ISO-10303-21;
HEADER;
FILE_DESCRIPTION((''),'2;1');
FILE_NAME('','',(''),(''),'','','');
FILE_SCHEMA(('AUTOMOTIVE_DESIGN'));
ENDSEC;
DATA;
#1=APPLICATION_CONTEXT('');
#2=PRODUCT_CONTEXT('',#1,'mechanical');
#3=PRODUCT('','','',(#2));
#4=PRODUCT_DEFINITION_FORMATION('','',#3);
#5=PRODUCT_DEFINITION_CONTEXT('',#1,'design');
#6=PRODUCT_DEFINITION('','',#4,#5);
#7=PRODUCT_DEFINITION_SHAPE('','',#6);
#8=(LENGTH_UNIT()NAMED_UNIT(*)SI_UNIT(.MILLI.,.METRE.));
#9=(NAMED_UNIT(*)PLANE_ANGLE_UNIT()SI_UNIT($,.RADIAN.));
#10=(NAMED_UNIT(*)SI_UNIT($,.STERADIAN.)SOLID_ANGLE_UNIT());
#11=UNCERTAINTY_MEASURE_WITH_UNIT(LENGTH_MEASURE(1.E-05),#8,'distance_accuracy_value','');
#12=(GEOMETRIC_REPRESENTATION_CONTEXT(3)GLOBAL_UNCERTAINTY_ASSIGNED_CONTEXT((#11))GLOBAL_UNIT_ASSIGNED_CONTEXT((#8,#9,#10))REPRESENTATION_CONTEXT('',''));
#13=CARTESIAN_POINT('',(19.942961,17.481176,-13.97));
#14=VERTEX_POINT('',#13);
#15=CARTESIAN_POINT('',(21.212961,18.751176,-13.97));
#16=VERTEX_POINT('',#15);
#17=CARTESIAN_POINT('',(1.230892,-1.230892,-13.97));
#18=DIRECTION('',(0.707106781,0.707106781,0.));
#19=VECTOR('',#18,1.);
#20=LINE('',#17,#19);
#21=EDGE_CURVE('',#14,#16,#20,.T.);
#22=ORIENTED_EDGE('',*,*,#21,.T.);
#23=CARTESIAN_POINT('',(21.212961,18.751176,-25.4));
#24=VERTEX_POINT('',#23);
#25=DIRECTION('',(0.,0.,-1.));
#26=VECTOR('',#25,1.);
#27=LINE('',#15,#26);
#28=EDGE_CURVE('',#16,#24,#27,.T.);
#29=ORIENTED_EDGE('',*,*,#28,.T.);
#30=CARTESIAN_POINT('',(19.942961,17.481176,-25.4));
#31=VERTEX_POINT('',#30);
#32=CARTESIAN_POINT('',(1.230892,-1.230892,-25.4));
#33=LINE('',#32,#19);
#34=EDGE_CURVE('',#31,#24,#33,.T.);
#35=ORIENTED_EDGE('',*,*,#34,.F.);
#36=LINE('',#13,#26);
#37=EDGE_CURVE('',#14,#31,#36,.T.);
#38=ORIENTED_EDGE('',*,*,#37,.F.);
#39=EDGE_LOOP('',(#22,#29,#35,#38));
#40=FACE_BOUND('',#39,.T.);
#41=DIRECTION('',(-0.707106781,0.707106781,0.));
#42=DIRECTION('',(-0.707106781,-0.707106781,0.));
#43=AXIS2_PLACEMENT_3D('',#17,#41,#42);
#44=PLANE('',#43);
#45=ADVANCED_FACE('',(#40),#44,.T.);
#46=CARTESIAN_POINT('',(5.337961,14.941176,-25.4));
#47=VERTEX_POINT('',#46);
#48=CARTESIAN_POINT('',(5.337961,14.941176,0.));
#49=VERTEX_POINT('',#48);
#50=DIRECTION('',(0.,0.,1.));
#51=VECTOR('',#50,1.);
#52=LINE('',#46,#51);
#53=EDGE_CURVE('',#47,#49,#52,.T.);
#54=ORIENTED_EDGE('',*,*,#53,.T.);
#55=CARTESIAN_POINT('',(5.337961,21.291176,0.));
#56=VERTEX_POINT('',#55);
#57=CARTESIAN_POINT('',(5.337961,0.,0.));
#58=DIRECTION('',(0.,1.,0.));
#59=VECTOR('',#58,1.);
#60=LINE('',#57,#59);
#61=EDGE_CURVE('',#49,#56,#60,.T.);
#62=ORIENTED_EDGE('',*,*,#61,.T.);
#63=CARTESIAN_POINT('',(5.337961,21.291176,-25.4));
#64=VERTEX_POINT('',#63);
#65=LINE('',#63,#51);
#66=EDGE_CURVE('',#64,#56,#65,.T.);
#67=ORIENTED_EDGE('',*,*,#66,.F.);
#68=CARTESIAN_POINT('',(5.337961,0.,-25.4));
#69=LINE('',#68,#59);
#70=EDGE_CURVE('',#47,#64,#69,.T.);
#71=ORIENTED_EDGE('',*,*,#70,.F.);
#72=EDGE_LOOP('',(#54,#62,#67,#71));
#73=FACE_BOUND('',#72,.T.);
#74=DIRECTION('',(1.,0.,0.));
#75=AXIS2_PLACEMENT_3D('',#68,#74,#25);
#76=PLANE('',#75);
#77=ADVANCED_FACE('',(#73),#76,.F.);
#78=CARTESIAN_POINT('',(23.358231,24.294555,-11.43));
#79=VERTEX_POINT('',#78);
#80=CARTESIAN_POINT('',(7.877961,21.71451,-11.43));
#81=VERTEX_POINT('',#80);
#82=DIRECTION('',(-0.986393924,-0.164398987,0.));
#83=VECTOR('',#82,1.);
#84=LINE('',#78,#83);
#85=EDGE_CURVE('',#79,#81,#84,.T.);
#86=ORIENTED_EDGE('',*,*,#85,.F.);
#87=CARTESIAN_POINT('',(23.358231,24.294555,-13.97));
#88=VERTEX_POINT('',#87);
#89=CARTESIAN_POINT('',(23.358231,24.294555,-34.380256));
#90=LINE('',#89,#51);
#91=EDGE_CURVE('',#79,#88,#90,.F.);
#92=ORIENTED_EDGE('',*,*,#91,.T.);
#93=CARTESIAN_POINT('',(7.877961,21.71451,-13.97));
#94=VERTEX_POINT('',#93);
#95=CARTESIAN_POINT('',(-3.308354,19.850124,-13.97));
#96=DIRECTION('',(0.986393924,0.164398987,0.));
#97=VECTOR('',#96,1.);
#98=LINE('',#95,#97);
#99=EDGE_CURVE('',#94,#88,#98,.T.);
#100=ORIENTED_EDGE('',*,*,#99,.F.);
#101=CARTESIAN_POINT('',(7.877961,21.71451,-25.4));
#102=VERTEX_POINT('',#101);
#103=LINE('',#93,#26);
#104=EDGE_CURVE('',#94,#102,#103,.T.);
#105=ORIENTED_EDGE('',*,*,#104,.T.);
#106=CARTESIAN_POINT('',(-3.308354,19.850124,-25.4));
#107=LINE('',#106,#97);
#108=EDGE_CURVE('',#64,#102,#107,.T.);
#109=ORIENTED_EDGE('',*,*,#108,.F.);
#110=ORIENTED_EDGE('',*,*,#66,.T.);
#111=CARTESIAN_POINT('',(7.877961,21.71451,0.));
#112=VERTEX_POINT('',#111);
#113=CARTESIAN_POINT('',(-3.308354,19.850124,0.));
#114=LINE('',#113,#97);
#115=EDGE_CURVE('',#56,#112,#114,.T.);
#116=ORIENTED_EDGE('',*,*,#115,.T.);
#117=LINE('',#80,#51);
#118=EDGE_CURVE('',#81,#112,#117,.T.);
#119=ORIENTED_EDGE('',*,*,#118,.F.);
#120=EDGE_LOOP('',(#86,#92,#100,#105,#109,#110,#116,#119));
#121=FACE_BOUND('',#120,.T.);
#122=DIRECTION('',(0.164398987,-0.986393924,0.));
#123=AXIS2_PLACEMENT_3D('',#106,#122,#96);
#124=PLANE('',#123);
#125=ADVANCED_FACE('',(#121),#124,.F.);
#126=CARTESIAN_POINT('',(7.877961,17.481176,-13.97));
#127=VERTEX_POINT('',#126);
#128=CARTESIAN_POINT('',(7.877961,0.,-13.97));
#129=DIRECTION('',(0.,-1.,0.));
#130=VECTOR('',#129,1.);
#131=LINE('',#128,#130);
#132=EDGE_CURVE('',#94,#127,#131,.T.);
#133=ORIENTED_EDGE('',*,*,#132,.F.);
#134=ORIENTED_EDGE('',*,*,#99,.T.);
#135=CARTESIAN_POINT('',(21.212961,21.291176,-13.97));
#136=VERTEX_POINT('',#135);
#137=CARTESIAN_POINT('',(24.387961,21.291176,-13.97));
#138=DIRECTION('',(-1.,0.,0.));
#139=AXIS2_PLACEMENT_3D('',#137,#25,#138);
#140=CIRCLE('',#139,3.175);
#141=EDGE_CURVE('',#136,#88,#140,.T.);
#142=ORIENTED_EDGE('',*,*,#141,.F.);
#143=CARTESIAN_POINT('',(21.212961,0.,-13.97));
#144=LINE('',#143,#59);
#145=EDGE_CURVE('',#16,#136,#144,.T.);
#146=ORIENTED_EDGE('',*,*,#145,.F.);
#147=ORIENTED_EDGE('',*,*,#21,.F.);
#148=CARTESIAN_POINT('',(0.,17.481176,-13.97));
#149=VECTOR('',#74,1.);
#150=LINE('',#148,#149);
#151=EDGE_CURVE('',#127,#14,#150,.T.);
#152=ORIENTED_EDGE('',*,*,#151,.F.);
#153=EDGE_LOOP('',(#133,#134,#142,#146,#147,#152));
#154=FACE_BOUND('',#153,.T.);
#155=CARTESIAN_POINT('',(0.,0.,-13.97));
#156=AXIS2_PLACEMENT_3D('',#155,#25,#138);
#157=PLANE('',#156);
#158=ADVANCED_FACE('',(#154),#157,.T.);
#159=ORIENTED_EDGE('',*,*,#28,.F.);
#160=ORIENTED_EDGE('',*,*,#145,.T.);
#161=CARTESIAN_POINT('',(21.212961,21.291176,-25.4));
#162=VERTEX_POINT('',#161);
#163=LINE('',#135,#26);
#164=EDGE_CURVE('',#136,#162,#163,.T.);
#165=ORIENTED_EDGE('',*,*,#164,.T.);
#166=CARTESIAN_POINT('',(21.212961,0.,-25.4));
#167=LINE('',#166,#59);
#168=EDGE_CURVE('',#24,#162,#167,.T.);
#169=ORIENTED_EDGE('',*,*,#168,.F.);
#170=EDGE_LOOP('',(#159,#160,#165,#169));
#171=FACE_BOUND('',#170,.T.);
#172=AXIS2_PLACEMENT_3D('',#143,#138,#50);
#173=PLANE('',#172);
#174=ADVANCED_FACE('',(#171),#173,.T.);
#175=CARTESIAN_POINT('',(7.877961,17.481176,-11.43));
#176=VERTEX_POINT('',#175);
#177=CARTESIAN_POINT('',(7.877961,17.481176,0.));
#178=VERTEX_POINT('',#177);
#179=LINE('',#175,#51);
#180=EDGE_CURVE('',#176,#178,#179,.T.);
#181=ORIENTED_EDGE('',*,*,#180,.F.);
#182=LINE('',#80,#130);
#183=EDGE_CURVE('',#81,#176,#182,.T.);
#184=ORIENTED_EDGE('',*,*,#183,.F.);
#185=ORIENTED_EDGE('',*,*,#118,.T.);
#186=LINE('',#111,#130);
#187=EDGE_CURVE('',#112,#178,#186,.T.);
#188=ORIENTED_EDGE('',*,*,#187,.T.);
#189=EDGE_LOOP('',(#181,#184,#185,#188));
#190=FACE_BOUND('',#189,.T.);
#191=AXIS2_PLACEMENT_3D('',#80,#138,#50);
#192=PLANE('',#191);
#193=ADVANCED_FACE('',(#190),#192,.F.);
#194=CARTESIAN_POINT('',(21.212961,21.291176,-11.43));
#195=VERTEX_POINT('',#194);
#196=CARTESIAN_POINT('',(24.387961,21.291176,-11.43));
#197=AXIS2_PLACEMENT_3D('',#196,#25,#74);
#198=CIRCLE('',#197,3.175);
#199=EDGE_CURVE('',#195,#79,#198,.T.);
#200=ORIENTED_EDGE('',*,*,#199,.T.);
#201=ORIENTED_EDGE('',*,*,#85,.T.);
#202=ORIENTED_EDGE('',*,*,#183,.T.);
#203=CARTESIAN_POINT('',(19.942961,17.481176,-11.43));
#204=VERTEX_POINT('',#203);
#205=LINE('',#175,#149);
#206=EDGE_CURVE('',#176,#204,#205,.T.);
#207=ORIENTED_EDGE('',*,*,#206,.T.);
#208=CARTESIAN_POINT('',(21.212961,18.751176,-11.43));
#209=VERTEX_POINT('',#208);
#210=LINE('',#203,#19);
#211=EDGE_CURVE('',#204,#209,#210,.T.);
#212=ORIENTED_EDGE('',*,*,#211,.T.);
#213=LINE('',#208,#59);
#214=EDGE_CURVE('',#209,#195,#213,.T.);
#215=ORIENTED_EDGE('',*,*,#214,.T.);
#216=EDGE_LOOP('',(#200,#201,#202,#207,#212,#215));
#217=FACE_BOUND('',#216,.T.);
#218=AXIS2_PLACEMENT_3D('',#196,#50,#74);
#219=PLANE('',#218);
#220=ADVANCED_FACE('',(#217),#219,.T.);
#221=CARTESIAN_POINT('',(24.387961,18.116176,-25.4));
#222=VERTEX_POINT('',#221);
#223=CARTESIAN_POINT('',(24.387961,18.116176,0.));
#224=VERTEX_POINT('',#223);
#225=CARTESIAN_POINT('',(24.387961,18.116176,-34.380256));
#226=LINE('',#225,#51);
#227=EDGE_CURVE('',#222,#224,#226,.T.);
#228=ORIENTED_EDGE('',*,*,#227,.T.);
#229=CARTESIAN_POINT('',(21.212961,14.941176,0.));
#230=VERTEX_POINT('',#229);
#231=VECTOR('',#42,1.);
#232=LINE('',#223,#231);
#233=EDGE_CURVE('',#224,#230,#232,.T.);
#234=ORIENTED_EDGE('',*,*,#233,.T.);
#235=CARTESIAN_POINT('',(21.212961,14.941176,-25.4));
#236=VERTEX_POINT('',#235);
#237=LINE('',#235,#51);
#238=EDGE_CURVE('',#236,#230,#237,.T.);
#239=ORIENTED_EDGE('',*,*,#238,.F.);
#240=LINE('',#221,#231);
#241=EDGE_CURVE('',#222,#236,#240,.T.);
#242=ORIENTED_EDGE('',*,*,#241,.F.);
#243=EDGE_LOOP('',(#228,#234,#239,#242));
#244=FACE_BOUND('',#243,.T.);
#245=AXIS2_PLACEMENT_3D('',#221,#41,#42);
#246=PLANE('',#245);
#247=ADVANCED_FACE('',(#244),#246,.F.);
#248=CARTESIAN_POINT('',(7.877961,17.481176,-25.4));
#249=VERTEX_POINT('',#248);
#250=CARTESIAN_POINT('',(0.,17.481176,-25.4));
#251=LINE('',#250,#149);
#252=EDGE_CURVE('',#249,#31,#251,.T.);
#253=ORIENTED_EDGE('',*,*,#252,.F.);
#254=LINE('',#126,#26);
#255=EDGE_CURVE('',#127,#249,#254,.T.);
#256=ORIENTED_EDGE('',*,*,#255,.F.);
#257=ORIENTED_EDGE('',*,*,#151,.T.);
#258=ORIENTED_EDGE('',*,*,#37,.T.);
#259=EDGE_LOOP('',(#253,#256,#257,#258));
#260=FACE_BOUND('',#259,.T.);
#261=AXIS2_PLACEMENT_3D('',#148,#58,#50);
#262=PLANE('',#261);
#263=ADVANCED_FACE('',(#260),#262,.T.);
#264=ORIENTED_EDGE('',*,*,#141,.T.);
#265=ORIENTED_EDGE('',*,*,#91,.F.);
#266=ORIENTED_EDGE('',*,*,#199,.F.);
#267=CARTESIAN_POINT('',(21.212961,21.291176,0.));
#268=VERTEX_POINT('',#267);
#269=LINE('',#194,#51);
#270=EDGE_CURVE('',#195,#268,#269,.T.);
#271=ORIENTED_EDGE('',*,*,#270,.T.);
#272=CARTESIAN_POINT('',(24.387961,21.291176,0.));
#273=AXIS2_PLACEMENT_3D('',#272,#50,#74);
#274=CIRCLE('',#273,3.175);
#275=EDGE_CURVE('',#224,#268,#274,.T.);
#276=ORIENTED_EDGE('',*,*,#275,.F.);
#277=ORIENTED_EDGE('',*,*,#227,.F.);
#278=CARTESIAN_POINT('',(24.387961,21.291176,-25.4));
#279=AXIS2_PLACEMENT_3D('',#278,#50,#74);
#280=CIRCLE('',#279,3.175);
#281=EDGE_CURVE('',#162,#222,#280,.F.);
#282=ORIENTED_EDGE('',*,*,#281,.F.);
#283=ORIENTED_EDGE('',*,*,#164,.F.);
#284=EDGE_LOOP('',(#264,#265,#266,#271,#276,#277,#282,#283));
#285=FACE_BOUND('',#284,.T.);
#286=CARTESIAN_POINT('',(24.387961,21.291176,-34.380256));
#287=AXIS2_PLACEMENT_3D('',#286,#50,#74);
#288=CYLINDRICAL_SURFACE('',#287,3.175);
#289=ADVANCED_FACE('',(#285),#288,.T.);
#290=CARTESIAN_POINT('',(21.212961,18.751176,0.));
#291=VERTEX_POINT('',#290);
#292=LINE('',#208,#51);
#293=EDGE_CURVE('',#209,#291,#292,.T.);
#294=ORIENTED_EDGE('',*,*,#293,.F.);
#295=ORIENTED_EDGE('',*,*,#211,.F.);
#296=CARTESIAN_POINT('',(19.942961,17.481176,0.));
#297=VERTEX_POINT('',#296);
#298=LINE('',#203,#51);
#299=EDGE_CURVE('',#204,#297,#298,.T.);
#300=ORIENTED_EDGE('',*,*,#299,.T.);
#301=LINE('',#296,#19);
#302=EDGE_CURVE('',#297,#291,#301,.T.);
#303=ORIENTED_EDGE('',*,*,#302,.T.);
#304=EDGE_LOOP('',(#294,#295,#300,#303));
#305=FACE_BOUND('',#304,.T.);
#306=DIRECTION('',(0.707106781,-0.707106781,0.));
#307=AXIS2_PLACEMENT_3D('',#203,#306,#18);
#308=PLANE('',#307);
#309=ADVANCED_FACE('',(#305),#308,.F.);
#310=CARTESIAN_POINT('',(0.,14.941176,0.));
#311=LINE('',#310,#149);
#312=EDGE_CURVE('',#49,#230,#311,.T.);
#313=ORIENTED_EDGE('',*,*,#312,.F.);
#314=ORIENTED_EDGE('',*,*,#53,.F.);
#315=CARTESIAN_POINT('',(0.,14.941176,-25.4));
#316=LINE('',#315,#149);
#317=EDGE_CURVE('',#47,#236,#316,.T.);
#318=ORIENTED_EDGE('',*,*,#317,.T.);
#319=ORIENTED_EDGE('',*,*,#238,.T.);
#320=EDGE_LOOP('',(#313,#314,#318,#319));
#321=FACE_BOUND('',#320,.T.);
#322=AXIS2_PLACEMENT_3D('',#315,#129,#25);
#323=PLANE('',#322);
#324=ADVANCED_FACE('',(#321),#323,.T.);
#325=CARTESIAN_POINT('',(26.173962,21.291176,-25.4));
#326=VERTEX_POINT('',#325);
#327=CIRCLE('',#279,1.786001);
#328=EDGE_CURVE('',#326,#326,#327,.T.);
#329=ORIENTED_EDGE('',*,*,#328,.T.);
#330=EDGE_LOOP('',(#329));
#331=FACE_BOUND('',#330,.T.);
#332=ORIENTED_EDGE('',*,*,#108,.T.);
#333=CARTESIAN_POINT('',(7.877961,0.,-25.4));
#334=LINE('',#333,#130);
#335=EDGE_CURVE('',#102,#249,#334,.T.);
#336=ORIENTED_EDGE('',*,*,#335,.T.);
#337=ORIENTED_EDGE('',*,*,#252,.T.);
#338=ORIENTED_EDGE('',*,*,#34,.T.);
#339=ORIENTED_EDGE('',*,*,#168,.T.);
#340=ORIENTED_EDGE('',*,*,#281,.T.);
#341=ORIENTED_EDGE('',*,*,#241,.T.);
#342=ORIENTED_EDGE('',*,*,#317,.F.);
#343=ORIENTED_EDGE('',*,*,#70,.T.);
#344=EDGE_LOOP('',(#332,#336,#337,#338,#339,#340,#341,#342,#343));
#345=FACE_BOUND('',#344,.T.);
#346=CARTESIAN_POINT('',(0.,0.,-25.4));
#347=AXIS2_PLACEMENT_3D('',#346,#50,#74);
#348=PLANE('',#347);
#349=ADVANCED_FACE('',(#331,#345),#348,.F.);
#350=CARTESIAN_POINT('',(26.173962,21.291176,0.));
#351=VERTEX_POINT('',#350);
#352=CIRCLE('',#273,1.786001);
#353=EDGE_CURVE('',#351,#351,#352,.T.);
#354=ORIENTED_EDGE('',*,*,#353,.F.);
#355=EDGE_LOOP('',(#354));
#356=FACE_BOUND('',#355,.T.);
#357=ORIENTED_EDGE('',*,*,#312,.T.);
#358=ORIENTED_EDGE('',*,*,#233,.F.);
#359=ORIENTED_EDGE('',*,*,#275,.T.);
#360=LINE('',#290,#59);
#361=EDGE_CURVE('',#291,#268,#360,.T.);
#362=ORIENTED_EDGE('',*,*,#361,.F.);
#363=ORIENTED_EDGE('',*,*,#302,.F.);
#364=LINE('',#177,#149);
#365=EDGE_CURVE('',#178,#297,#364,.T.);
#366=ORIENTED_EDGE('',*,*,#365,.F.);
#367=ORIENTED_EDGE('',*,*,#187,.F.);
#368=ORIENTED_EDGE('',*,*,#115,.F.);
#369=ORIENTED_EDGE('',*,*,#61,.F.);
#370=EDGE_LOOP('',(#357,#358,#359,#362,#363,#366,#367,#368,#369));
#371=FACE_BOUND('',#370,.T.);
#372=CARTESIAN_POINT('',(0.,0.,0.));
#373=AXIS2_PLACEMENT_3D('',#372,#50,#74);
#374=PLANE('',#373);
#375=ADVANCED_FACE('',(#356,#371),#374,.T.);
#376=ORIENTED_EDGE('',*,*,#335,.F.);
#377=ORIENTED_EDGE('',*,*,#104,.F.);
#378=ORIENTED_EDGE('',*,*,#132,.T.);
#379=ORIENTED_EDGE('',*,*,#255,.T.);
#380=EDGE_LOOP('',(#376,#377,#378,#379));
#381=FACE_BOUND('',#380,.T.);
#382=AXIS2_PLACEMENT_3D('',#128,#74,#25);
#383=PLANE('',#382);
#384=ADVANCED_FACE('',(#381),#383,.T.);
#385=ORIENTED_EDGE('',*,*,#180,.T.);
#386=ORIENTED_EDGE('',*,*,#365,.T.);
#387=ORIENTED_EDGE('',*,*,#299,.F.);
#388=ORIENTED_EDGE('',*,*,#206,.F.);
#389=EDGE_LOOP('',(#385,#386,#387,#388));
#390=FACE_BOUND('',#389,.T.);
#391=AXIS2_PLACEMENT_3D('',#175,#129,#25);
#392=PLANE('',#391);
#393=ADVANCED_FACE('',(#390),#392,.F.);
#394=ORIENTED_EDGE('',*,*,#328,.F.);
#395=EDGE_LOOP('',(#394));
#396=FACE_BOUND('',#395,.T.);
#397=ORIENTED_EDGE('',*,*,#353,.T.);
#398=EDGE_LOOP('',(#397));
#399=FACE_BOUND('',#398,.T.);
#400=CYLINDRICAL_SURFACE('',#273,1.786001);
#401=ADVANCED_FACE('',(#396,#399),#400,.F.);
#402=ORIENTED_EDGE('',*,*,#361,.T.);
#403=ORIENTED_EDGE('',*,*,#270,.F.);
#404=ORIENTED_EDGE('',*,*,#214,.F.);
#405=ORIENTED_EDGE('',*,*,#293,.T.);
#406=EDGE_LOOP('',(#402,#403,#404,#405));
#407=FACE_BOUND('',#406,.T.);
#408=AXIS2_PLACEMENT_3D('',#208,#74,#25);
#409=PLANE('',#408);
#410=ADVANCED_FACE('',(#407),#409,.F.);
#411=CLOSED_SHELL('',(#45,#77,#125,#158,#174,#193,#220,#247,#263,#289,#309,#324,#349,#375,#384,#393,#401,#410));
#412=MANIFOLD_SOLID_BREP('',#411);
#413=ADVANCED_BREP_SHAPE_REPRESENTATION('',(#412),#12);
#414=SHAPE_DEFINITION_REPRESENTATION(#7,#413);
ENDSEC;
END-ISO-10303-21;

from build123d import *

# Parameters (mm, degrees)
SKETCH1_W                       = 19.05
SKETCH1_H                       = 6.35
BOSS_EXTRUDE1_DEPTH             = 25.4
SKETCH2_R                       = 3.175
BOSS_EXTRUDE3_DEPTH             = 25.4
CUT_EXTRUDE5_DEPTH              = 11.43
CUT_EXTRUDE6_DEPTH              = 26.4
CUT_EXTRUDE9_DEPTH              = 11.43
F_9_64_0_14063_DIAMETER_HOLE3_D = 3.572002


with BuildPart() as part:
    # Sketch1 → Boss-Extrude1 (new body)
    with BuildSketch(Plane.XY):
        Polygon((24.387960916, 24.466176471), (24.387960916, 21.291176471), (5.337960916, 21.291176471), align=None)
        with Locations((14.862960916, 18.116176471)):
            Rectangle(SKETCH1_W, SKETCH1_H)
    extrude(amount=-BOSS_EXTRUDE1_DEPTH)

    # Sketch2 → Boss-Extrude3 (add)
    with BuildSketch(Plane.XY):
        with Locations((24.387960916, 21.291176471)):
            Circle(SKETCH2_R)
    extrude(amount=-BOSS_EXTRUDE3_DEPTH)

    # Sketch9 → Cut-Extrude5 (cut)
    with BuildSketch(Plane.XY):
        with BuildLine():
            Line((23.358231186, 24.294554849), (7.877960916, 21.714509804))
            Line((7.877960916, 21.714509804), (7.877960916, 17.481176471))
            Line((7.877960916, 17.481176471), (19.942960916, 17.481176471))
            Line((19.942960916, 17.481176471), (21.212960916, 18.751176471))
            Line((21.212960916, 18.751176471), (21.212960916, 21.291176471))
            ThreePointArc((21.212960916, 21.291176471), (21.804357145, 23.136607736), (23.358231186, 24.294554849))
        make_face()
    extrude(amount=-CUT_EXTRUDE5_DEPTH, mode=Mode.SUBTRACT)

    # Sketch10 → Cut-Extrude6 (cut, through all)
    with BuildSketch(Plane.XY):
        Polygon((24.387960916, 18.116176471), (21.212960916, 14.941176471), (24.387960916, 14.941176471), align=None)
    extrude(amount=-CUT_EXTRUDE6_DEPTH, mode=Mode.SUBTRACT)

    # Sketch17 → Cut-Extrude9 (cut)
    with BuildSketch(Plane(origin=(0, 0, -25.4), x_dir=(-1, 0, 0), z_dir=(0, 0, -1))):
        with BuildLine():
            Line((-7.877960916, 21.714509804), (-23.358231186, 24.294554849))
            ThreePointArc((-23.358231186, 24.294554849), (-21.804357145, 23.136607736), (-21.212960916, 21.291176471))
            Line((-21.212960916, 21.291176471), (-21.212960916, 18.751176471))
            Line((-21.212960916, 18.751176471), (-19.942960916, 17.481176471))
            Line((-19.942960916, 17.481176471), (-7.877960916, 17.481176471))
            Line((-7.877960916, 17.481176471), (-7.877960916, 21.714509804))
        make_face()
    extrude(amount=-CUT_EXTRUDE9_DEPTH, mode=Mode.SUBTRACT)

    # 9/64 (0.14063) Diameter Hole3 (through all)
    with Locations(Plane(origin=(24.387960916, 21.291176471, 0), x_dir=(1, 0, 0), z_dir=(0, 0, 1))):
        with Locations((0, 0)):
            Hole(F_9_64_0_14063_DIAMETER_HOLE3_D / 2)


solid = part.part
